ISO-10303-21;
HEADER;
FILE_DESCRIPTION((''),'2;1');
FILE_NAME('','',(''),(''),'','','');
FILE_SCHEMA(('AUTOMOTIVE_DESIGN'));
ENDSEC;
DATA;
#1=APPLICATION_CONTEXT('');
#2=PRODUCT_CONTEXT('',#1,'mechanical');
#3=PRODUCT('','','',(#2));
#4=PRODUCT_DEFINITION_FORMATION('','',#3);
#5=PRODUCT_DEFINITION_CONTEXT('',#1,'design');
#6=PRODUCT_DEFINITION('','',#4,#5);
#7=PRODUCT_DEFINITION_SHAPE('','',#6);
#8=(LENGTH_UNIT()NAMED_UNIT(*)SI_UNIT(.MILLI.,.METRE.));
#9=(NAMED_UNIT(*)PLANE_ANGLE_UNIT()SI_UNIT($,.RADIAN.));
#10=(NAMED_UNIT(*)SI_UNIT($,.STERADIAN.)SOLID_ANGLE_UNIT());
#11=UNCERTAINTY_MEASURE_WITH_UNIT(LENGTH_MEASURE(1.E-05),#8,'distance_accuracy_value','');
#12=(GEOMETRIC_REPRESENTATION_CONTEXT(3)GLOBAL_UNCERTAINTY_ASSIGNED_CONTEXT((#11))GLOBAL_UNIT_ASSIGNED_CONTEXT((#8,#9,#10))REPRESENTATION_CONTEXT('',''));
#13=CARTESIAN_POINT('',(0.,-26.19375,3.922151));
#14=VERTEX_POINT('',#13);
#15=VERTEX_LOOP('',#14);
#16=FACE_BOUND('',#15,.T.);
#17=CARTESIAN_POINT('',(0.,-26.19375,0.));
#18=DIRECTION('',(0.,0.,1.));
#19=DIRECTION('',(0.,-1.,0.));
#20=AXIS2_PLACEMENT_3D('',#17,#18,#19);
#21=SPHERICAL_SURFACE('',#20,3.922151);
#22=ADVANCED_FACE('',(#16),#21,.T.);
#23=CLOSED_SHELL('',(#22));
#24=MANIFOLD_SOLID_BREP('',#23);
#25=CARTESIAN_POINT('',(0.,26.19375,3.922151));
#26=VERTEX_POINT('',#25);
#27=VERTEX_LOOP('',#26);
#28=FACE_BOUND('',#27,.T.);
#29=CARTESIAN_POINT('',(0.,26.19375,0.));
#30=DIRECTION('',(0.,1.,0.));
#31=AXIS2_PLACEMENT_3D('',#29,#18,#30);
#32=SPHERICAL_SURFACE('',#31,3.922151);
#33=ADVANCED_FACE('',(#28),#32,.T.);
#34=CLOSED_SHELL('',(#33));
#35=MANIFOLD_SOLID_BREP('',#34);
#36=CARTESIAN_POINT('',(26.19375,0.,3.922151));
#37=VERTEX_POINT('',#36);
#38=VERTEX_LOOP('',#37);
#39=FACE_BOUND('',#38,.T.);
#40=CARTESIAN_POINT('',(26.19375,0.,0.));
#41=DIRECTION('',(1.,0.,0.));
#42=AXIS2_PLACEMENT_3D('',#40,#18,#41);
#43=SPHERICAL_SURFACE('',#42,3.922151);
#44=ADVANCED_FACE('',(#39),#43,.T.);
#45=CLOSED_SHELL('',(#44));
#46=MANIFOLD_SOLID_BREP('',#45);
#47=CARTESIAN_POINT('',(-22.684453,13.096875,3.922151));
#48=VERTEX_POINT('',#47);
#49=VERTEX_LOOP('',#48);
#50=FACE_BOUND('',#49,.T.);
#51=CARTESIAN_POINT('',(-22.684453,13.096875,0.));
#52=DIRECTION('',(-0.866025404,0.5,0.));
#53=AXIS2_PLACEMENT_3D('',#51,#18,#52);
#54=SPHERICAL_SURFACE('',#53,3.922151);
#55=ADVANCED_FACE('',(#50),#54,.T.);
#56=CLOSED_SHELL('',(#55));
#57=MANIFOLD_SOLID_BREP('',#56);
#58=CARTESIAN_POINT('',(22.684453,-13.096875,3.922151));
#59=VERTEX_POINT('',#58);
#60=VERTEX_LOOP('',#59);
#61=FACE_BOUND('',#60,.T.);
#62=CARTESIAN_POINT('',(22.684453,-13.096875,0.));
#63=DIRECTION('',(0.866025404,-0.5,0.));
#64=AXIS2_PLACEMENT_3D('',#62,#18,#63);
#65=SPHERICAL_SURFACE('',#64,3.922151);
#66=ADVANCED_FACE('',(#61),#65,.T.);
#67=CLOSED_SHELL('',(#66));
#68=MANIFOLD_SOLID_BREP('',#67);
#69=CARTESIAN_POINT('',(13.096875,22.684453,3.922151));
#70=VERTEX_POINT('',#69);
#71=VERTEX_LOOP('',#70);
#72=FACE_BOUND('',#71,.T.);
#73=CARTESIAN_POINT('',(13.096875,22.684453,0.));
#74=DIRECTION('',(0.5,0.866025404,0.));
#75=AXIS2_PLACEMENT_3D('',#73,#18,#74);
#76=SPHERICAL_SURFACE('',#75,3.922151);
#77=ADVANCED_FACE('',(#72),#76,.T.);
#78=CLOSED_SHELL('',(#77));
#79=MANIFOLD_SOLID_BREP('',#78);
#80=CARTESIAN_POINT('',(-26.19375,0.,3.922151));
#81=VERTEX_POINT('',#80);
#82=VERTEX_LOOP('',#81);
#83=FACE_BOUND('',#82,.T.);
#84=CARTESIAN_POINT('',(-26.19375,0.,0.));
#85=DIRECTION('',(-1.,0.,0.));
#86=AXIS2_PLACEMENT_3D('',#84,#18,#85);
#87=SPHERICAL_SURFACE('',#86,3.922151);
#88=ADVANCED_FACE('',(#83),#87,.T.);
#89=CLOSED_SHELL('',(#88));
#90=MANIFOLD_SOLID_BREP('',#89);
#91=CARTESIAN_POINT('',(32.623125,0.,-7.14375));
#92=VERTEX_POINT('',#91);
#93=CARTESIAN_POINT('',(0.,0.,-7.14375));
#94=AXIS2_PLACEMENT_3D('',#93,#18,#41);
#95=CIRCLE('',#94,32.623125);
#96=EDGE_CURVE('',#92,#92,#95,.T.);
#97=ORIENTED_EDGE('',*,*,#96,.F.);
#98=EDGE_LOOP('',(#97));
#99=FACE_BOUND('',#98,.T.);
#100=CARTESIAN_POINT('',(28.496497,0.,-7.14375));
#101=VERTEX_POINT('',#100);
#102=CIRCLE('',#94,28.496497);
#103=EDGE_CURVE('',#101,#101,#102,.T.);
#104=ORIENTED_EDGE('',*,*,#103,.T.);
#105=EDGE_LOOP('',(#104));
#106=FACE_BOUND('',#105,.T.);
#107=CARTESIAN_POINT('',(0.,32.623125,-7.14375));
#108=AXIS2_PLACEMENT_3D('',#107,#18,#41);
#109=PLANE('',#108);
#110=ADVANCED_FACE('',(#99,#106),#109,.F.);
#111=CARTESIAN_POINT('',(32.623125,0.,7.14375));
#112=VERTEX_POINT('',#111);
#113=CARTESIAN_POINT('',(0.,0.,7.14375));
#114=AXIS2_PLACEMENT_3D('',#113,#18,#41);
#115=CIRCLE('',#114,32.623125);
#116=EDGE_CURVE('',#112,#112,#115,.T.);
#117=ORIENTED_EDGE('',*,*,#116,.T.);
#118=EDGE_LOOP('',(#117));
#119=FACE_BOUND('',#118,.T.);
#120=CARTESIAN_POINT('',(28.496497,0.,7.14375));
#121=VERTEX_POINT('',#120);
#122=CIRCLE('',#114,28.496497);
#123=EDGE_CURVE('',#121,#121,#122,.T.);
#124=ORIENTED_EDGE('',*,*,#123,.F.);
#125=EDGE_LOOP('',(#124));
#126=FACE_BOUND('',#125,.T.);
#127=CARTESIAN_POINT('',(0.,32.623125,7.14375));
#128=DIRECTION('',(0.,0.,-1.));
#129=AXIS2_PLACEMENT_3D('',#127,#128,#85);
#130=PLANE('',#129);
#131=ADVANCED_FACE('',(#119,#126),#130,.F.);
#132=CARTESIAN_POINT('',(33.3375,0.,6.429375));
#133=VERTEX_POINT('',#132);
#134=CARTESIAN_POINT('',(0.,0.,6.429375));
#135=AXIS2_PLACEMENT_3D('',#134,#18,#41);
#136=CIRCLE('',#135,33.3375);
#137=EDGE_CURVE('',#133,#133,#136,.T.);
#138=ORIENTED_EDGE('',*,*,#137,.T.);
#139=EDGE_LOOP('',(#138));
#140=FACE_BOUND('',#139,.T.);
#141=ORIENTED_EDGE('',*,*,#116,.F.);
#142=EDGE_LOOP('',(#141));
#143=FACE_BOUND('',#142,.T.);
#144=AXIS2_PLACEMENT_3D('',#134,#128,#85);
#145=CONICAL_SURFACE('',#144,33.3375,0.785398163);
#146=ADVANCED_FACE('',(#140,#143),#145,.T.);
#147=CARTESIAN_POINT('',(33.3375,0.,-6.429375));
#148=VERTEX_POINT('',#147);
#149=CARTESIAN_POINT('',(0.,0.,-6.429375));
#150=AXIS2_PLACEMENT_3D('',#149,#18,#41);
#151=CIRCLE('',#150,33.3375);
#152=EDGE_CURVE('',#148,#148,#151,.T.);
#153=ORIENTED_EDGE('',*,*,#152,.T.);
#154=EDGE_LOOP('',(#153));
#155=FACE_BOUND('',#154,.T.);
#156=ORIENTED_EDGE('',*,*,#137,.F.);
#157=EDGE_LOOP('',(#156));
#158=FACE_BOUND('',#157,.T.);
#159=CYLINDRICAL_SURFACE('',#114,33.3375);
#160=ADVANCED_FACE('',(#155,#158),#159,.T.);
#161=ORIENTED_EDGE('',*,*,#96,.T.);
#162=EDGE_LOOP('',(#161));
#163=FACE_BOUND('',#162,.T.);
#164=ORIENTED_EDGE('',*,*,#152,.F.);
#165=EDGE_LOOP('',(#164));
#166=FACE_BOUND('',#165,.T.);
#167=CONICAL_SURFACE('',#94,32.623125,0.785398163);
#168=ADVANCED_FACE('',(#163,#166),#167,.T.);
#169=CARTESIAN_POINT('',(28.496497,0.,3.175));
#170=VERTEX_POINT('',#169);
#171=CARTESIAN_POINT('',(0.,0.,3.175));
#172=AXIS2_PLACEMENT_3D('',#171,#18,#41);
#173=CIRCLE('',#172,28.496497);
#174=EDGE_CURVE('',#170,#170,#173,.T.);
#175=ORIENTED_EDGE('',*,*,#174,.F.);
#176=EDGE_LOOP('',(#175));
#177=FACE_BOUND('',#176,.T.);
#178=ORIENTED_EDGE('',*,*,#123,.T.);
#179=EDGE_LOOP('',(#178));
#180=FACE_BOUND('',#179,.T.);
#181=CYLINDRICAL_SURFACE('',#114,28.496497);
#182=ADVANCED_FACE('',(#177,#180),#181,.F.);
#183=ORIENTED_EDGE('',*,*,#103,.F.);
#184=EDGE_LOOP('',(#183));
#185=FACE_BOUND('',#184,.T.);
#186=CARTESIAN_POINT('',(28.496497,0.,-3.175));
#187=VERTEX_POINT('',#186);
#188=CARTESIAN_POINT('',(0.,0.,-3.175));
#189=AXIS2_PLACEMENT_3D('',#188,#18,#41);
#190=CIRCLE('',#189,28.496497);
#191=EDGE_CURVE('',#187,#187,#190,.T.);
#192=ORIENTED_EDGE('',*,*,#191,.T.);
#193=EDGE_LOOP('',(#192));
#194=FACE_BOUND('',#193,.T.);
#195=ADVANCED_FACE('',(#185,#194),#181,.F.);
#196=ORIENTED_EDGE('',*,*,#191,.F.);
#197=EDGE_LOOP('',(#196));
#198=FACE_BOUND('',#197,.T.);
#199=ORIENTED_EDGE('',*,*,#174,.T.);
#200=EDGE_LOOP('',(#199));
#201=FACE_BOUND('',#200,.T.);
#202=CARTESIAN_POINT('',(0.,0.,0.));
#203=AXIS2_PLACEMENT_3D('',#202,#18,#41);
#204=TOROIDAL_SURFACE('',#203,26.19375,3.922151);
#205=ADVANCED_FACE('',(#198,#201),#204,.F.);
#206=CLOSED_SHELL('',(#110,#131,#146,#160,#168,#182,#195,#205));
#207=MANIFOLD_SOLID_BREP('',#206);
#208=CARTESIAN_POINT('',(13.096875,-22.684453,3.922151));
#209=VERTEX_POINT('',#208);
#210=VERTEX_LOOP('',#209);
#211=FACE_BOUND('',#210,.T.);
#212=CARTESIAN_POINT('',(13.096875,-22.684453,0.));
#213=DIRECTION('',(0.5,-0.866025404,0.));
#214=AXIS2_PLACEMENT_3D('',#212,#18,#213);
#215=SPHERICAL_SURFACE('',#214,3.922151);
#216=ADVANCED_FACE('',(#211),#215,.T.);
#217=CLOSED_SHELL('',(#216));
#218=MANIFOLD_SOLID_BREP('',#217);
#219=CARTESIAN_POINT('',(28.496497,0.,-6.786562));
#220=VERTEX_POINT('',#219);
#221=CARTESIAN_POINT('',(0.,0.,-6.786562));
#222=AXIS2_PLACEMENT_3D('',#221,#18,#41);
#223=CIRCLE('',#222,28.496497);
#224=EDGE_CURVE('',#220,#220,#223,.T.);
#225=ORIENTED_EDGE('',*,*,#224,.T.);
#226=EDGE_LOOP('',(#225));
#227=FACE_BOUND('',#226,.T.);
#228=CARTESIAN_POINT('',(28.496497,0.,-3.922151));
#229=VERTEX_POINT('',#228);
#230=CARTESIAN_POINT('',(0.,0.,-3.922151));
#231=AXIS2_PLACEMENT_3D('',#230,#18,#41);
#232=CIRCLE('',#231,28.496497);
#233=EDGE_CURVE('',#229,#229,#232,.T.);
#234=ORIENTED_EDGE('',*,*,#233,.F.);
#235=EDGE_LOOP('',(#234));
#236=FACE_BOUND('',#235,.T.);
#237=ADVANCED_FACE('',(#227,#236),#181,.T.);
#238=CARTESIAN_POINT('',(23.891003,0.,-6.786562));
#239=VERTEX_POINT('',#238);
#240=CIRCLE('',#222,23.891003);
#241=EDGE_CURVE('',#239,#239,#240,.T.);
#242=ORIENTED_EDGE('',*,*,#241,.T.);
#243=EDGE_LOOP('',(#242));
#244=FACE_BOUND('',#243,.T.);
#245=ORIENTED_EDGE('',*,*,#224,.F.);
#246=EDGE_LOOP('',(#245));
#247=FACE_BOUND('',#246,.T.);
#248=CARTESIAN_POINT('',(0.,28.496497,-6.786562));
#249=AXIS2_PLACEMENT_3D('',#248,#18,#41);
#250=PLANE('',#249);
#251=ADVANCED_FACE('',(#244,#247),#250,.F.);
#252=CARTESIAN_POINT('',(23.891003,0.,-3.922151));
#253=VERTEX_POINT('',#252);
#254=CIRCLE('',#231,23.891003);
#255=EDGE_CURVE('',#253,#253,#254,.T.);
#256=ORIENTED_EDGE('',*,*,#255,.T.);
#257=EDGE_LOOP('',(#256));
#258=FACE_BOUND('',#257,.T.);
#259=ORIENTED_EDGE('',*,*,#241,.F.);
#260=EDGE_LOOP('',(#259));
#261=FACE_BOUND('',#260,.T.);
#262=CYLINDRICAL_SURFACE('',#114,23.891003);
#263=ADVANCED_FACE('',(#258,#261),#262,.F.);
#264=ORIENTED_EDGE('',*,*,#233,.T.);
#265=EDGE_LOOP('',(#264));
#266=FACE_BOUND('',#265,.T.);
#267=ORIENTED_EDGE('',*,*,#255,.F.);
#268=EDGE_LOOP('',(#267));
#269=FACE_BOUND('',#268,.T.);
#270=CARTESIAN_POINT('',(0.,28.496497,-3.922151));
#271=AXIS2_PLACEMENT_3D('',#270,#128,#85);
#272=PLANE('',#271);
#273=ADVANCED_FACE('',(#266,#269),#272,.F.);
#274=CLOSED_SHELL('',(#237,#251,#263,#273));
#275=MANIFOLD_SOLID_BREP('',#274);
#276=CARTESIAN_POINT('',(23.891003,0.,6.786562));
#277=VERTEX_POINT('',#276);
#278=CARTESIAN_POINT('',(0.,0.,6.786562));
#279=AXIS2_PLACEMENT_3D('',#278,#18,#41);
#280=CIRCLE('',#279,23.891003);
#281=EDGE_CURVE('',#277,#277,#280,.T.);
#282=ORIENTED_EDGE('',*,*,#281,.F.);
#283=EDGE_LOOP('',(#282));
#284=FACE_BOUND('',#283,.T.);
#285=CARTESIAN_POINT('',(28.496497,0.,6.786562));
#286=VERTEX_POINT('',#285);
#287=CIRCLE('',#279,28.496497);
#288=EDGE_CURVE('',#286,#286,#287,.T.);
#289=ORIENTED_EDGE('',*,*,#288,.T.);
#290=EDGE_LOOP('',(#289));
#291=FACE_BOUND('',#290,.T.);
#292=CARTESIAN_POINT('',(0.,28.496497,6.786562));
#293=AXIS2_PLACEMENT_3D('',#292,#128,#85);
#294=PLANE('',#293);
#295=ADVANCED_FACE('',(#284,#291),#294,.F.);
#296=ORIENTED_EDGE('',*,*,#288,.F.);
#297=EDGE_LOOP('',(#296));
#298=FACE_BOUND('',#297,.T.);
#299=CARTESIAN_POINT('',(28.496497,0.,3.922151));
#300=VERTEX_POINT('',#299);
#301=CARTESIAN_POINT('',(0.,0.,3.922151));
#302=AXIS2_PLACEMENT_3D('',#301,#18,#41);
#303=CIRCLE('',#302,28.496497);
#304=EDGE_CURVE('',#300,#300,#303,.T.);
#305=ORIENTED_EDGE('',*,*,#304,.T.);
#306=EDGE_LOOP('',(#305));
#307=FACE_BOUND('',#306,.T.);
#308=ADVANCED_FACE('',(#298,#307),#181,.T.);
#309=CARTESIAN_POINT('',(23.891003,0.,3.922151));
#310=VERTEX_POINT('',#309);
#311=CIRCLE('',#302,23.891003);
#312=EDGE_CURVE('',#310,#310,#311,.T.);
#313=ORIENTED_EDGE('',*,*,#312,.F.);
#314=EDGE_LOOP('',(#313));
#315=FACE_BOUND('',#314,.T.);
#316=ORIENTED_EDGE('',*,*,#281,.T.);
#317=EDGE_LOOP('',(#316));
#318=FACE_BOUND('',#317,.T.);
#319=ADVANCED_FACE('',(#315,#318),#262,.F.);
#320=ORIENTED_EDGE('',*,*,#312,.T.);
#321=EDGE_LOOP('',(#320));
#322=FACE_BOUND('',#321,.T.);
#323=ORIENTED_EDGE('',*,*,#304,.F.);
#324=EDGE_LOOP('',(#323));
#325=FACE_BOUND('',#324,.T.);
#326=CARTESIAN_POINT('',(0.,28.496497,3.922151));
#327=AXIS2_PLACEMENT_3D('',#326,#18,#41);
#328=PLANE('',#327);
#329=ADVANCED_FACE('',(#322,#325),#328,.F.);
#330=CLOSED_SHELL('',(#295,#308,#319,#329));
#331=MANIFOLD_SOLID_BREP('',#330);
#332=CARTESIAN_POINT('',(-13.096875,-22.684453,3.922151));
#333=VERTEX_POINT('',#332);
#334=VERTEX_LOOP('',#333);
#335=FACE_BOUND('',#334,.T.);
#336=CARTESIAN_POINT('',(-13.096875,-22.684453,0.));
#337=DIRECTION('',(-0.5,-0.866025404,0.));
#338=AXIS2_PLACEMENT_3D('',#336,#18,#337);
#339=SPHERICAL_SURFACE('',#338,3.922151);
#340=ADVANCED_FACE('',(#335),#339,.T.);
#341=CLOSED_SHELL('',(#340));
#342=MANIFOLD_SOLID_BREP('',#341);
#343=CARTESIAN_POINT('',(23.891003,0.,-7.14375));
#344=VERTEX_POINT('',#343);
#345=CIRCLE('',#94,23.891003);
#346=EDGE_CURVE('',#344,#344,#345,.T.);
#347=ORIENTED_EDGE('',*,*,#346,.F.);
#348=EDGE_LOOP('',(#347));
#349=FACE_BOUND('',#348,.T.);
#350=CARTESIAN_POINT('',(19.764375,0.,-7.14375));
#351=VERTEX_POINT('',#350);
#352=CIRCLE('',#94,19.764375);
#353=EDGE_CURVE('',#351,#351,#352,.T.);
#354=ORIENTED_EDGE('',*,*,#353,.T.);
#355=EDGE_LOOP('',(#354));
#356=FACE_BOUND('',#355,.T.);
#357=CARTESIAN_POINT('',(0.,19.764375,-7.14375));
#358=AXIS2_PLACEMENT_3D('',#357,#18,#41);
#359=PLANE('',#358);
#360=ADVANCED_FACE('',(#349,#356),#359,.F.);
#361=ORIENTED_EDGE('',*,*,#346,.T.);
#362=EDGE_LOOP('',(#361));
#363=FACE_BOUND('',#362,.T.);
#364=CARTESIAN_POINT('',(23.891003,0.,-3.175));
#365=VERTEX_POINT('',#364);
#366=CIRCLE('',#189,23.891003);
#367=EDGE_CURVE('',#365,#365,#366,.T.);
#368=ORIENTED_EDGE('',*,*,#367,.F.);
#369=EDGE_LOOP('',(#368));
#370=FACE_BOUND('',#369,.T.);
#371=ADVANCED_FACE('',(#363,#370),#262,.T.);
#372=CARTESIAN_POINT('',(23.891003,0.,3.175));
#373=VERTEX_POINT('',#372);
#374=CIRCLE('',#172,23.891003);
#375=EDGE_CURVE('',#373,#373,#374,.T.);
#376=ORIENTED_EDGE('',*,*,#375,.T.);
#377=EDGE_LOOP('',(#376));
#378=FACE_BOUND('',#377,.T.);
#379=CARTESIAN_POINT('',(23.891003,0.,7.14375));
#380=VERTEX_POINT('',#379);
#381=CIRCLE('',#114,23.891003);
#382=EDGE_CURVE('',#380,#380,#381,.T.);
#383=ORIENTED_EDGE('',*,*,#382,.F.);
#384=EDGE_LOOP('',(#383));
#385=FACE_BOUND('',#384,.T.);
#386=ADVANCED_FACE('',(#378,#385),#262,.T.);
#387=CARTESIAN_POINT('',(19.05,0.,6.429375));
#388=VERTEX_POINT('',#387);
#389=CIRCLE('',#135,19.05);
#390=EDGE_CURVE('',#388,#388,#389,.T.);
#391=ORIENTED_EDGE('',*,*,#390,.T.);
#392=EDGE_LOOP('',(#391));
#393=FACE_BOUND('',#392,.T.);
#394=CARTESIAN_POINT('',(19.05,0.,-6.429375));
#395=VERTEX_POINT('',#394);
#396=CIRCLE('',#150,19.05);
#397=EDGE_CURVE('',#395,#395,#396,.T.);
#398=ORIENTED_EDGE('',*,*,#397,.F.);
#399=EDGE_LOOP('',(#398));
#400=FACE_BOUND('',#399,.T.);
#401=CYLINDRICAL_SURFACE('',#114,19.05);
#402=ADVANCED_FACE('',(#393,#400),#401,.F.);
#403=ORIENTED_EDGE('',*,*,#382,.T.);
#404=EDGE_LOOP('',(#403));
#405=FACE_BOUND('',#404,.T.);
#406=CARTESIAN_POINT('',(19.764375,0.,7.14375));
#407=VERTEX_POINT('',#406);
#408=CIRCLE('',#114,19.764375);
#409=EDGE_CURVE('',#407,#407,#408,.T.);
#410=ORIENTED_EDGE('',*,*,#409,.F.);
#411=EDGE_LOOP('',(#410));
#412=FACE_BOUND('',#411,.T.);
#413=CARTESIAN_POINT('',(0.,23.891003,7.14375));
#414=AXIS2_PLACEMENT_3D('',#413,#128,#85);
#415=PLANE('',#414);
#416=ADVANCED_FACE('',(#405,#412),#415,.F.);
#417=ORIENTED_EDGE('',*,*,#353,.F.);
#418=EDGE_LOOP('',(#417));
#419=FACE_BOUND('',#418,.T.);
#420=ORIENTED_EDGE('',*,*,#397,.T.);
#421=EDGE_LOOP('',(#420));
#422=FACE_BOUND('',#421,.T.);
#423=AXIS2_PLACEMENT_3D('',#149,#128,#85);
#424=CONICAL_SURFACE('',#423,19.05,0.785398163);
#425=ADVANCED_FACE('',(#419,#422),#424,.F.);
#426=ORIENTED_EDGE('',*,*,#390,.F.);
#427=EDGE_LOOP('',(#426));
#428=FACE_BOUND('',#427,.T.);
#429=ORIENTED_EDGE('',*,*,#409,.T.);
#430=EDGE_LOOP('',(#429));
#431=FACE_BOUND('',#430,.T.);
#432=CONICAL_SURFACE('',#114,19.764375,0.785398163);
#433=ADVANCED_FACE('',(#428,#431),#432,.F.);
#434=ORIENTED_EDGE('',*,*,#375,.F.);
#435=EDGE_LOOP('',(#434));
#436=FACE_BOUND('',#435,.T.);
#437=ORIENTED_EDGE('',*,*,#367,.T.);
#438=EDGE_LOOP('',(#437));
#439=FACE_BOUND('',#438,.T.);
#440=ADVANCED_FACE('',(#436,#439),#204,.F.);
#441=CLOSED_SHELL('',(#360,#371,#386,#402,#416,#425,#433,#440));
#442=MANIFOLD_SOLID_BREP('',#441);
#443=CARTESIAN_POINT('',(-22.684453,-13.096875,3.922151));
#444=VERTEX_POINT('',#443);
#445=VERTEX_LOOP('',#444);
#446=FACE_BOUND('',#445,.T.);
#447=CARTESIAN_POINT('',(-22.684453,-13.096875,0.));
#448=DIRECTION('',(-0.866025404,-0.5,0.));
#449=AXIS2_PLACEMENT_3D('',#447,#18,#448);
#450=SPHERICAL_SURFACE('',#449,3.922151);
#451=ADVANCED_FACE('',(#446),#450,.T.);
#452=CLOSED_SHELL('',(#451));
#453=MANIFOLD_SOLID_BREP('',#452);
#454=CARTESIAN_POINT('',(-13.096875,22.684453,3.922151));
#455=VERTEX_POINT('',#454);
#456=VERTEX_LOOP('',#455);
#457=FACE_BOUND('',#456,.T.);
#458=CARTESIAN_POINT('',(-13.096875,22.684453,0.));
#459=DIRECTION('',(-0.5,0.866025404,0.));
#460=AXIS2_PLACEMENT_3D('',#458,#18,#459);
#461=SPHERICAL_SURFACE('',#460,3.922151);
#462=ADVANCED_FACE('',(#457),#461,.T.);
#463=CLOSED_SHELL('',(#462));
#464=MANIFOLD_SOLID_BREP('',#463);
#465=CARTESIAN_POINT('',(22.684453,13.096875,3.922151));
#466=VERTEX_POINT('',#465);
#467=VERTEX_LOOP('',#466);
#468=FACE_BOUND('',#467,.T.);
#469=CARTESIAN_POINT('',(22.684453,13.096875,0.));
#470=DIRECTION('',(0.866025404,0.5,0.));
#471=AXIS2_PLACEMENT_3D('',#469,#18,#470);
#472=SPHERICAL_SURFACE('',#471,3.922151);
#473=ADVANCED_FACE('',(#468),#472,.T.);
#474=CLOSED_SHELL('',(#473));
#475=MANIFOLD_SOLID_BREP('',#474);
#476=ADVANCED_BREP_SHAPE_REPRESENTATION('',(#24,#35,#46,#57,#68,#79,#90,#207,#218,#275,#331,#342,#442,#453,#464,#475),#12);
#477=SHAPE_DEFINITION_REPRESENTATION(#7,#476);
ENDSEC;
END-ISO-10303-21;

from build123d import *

# Parameters (mm, degrees)
CIRPATTERN1_COUNT = 12
SKETCH5_W         = 2.864411316
SKETCH5_H         = 4.605494506


with BuildPart() as part:
    # Sketch1 → Revolve1 (revolve)
    with BuildSketch(Plane(origin=(0, 0, 0), x_dir=(0, 0, -1), z_dir=(1, 0, 0))):
        with BuildLine():
            Line((6.429375, 33.3375), (-6.429375, 33.3375))
            Line((-6.429375, 33.3375), (-7.14375, 32.623125))
            Line((-7.14375, 32.623125), (-7.14375, 28.496497253))
            Line((-7.14375, 28.496497253), (-3.175, 28.496497253))
            ThreePointArc((-3.175, 28.496497253), (0, 30.115901184), (3.175, 28.496497253))
            Line((3.175, 28.496497253), (7.14375, 28.496497253))
            Line((7.14375, 28.496497253), (7.14375, 32.623125))
            Line((7.14375, 32.623125), (6.429375, 33.3375))
        make_face()
    revolve(axis=Axis((0, 0, 7.14375), (0, 0, -1)))


with BuildPart() as body_2:
    # Sketch3 → Revolve3 (revolve)
    with BuildSketch(Plane(origin=(0, 0, 0), x_dir=(0, 0, -1), z_dir=(1, 0, 0))):
        with BuildLine():
            Line((-7.14375, 23.891002747), (-3.175, 23.891002747))
            ThreePointArc((-3.175, 23.891002747), (0, 22.271598816), (3.175, 23.891002747))
            Line((3.175, 23.891002747), (7.14375, 23.891002747))
            Line((7.14375, 23.891002747), (7.14375, 19.764375))
            Line((7.14375, 19.764375), (6.429375, 19.05))
            Line((6.429375, 19.05), (-6.429375, 19.05))
            Line((-6.429375, 19.05), (-7.14375, 19.764375))
            Line((-7.14375, 19.764375), (-7.14375, 23.891002747))
        make_face()
    revolve(axis=Axis((0, 0, 7.14375), (0, 0, -1)))


with BuildPart() as body_3:
    # Sketch4 → Revolve4 (revolve)
    with BuildSketch(Plane(origin=(0, 0, 0), x_dir=(0, 0, -1), z_dir=(1, 0, 0))):
        with BuildLine():
            Line((-3.922151184, 26.19375), (3.922151184, 26.19375))
            ThreePointArc((3.922151184, 26.19375), (0, 30.115901184), (-3.922151184, 26.19375))
        make_face()
    revolve(axis=Axis((0, 26.19375, 3.922151184), (0, 0, -1)))


with BuildPart() as cirpattern1_1:
    # CirPattern1: pattern copy
    add(body_3.part.rotate(Axis((0, 0, -7.14375), (0, 0, 1)), 1 * 360 / CIRPATTERN1_COUNT))


with BuildPart() as cirpattern1_2:
    # CirPattern1: pattern copy
    add(body_3.part.rotate(Axis((0, 0, -7.14375), (0, 0, 1)), 2 * 360 / CIRPATTERN1_COUNT))


with BuildPart() as cirpattern1_3:
    # CirPattern1: pattern copy
    add(body_3.part.rotate(Axis((0, 0, -7.14375), (0, 0, 1)), 3 * 360 / CIRPATTERN1_COUNT))


with BuildPart() as cirpattern1_4:
    # CirPattern1: pattern copy
    add(body_3.part.rotate(Axis((0, 0, -7.14375), (0, 0, 1)), 4 * 360 / CIRPATTERN1_COUNT))


with BuildPart() as cirpattern1_5:
    # CirPattern1: pattern copy
    add(body_3.part.rotate(Axis((0, 0, -7.14375), (0, 0, 1)), 5 * 360 / CIRPATTERN1_COUNT))


with BuildPart() as cirpattern1_6:
    # CirPattern1: pattern copy
    add(body_3.part.rotate(Axis((0, 0, -7.14375), (0, 0, 1)), 6 * 360 / CIRPATTERN1_COUNT))


with BuildPart() as cirpattern1_7:
    # CirPattern1: pattern copy
    add(body_3.part.rotate(Axis((0, 0, -7.14375), (0, 0, 1)), 7 * 360 / CIRPATTERN1_COUNT))


with BuildPart() as cirpattern1_8:
    # CirPattern1: pattern copy
    add(body_3.part.rotate(Axis((0, 0, -7.14375), (0, 0, 1)), 8 * 360 / CIRPATTERN1_COUNT))


with BuildPart() as cirpattern1_9:
    # CirPattern1: pattern copy
    add(body_3.part.rotate(Axis((0, 0, -7.14375), (0, 0, 1)), 9 * 360 / CIRPATTERN1_COUNT))


with BuildPart() as cirpattern1_10:
    # CirPattern1: pattern copy
    add(body_3.part.rotate(Axis((0, 0, -7.14375), (0, 0, 1)), 10 * 360 / CIRPATTERN1_COUNT))


with BuildPart() as cirpattern1_11:
    # CirPattern1: pattern copy
    add(body_3.part.rotate(Axis((0, 0, -7.14375), (0, 0, 1)), 11 * 360 / CIRPATTERN1_COUNT))


with BuildPart() as body_15:
    # Sketch5 → Revolve5 (revolve)
    with BuildSketch(Plane(origin=(0, 0, 0), x_dir=(0, 0, -1), z_dir=(1, 0, 0))):
        with Locations((-5.354356842, 26.19375)):
            Rectangle(SKETCH5_W, SKETCH5_H)
        with Locations((5.354356842, 26.19375)):
            Rectangle(SKETCH5_W, SKETCH5_H)
    revolve(axis=Axis((0, 0, 7.14375), (0, 0, -1)))


solid = Compound([part.part, body_2.part, body_3.part, cirpattern1_1.part, cirpattern1_2.part, cirpattern1_3.part, cirpattern1_4.part, cirpattern1_5.part, cirpattern1_6.part, cirpattern1_7.part, cirpattern1_8.part, cirpattern1_9.part, cirpattern1_10.part, cirpattern1_11.part, body_15.part])
